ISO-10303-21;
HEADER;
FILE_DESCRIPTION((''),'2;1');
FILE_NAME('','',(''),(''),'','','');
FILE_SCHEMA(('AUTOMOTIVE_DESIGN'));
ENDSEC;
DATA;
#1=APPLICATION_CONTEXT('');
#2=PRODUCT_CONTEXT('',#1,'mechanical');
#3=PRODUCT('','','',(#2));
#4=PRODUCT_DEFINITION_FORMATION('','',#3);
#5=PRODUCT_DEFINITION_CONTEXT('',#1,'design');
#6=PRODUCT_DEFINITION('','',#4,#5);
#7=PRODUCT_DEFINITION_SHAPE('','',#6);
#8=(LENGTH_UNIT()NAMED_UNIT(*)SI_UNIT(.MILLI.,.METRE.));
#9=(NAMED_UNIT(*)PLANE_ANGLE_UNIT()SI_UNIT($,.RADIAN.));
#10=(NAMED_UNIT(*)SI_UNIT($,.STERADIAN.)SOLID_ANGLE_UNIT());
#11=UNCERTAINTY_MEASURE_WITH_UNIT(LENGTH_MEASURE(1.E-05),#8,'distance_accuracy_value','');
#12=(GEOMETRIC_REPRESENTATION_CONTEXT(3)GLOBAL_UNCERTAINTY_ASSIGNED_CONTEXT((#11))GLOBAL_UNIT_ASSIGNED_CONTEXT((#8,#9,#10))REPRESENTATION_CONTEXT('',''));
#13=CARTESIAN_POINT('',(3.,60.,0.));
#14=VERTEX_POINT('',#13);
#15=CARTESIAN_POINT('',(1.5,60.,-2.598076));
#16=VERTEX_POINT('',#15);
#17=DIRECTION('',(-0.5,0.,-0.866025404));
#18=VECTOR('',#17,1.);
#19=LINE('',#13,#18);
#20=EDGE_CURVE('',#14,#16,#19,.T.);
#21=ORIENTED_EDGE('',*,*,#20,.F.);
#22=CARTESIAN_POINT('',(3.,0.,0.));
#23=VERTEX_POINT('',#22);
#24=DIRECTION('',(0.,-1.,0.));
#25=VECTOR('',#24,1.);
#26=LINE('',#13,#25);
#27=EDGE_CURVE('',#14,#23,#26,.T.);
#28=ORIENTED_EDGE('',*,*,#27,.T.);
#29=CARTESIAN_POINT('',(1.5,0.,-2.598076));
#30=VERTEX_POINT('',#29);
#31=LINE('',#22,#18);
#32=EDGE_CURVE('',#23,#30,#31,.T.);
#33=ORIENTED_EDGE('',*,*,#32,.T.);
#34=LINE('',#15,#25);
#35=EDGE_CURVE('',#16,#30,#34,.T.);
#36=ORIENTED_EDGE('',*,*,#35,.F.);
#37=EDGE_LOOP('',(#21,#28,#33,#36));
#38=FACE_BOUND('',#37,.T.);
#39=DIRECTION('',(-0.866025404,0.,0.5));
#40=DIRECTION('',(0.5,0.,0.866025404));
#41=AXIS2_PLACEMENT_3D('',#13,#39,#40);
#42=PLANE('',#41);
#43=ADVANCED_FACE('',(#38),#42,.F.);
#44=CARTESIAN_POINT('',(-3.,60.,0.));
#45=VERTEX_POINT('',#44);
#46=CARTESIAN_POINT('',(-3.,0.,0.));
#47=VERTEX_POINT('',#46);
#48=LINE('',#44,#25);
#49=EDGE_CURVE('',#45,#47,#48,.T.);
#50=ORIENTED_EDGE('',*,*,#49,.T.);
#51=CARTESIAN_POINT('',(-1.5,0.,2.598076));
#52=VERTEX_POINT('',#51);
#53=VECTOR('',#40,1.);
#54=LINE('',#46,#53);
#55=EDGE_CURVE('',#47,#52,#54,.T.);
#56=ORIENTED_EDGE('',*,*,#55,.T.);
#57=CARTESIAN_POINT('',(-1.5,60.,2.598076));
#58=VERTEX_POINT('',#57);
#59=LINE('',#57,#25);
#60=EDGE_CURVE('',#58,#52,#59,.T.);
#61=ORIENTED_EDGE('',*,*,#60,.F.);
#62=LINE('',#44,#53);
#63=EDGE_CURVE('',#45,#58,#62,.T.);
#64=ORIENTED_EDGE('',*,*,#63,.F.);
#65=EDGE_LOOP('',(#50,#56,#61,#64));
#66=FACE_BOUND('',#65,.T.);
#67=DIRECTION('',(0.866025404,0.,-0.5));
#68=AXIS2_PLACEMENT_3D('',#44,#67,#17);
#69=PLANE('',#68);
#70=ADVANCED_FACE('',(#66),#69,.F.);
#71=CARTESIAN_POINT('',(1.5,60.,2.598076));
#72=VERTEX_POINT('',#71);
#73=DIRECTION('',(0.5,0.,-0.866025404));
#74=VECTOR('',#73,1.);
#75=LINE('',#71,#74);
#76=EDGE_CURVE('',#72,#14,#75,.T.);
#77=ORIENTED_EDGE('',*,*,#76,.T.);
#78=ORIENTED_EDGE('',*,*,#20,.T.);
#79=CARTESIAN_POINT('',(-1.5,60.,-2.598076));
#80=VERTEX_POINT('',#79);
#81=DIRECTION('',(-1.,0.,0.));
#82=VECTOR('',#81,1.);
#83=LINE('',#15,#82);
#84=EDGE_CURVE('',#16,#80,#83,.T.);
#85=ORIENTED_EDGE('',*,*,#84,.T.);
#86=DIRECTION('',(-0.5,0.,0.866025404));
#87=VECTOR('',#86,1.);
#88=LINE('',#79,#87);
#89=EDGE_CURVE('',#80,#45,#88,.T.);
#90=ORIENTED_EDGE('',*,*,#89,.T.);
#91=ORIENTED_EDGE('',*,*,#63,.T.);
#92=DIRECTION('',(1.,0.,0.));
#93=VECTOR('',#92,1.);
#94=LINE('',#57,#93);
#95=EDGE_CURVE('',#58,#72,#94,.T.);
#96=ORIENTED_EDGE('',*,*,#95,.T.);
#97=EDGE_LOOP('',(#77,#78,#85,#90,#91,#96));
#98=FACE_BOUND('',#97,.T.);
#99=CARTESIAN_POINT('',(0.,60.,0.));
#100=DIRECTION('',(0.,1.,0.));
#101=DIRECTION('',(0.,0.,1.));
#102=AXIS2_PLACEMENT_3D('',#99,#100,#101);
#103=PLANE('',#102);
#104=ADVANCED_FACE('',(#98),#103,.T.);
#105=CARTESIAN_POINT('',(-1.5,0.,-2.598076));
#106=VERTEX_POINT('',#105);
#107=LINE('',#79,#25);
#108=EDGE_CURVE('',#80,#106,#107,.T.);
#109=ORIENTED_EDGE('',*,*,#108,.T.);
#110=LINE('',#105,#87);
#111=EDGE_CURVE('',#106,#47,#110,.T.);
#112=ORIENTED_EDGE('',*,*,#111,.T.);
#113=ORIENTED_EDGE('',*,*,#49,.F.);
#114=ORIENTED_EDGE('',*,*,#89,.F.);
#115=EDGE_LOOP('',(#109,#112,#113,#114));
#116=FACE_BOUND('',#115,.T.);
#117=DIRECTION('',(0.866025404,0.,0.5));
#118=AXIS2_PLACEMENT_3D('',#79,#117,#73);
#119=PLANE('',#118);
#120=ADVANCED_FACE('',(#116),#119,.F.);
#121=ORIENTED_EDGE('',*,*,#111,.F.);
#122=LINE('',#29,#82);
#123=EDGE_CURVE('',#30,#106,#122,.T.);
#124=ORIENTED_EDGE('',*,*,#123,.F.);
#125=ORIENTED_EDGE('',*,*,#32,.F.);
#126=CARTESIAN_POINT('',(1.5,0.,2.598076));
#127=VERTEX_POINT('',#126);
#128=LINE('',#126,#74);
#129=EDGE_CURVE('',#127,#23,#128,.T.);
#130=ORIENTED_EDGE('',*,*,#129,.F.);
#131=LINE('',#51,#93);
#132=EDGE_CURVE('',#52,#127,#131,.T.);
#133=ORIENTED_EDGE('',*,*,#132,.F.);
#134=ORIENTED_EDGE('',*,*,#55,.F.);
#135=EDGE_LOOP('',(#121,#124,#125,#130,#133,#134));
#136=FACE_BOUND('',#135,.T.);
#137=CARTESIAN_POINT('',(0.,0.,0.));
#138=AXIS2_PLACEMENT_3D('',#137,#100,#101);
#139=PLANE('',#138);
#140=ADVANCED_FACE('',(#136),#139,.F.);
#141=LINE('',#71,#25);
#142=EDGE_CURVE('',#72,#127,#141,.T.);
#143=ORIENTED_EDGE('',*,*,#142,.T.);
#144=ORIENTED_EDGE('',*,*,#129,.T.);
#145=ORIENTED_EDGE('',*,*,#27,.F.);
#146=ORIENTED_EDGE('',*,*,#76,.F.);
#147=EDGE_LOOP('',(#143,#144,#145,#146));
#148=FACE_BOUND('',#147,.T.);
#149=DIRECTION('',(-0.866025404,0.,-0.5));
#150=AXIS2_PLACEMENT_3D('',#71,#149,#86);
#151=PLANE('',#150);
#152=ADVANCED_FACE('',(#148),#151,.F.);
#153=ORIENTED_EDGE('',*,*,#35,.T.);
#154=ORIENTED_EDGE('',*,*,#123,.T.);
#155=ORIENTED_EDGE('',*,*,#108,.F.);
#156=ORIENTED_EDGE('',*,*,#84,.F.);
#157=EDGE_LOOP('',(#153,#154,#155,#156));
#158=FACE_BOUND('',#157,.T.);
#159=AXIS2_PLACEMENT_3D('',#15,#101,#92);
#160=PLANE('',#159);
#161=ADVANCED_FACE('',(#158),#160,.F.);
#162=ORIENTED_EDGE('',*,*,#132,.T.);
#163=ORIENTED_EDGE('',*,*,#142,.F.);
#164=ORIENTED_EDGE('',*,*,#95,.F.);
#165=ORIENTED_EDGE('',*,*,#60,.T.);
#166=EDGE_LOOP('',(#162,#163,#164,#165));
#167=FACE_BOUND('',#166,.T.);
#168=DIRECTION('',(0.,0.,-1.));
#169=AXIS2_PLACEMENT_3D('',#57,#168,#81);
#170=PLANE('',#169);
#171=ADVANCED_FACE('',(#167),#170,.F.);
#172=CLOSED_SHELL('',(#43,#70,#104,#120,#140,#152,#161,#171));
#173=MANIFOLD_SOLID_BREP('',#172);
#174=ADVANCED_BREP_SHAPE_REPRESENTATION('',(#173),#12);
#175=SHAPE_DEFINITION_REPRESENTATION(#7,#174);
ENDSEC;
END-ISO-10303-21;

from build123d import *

# Parameters (mm, degrees)
BOSS_EXTRU_1_DEPTH = 60


with BuildPart() as part:
    # Esquisse3 → Boss.-Extru.1 (new body)
    with BuildSketch(Plane(origin=(0, 0, 0), x_dir=(1, 0, 0), z_dir=(0, 1, 0))):
        Polygon((3, 0), (1.5, 2.598076211), (-1.5, 2.598076211), (-3, 0), (-1.5, -2.598076211), (1.5, -2.598076211), align=None)
    extrude(amount=BOSS_EXTRU_1_DEPTH)


solid = part.part
